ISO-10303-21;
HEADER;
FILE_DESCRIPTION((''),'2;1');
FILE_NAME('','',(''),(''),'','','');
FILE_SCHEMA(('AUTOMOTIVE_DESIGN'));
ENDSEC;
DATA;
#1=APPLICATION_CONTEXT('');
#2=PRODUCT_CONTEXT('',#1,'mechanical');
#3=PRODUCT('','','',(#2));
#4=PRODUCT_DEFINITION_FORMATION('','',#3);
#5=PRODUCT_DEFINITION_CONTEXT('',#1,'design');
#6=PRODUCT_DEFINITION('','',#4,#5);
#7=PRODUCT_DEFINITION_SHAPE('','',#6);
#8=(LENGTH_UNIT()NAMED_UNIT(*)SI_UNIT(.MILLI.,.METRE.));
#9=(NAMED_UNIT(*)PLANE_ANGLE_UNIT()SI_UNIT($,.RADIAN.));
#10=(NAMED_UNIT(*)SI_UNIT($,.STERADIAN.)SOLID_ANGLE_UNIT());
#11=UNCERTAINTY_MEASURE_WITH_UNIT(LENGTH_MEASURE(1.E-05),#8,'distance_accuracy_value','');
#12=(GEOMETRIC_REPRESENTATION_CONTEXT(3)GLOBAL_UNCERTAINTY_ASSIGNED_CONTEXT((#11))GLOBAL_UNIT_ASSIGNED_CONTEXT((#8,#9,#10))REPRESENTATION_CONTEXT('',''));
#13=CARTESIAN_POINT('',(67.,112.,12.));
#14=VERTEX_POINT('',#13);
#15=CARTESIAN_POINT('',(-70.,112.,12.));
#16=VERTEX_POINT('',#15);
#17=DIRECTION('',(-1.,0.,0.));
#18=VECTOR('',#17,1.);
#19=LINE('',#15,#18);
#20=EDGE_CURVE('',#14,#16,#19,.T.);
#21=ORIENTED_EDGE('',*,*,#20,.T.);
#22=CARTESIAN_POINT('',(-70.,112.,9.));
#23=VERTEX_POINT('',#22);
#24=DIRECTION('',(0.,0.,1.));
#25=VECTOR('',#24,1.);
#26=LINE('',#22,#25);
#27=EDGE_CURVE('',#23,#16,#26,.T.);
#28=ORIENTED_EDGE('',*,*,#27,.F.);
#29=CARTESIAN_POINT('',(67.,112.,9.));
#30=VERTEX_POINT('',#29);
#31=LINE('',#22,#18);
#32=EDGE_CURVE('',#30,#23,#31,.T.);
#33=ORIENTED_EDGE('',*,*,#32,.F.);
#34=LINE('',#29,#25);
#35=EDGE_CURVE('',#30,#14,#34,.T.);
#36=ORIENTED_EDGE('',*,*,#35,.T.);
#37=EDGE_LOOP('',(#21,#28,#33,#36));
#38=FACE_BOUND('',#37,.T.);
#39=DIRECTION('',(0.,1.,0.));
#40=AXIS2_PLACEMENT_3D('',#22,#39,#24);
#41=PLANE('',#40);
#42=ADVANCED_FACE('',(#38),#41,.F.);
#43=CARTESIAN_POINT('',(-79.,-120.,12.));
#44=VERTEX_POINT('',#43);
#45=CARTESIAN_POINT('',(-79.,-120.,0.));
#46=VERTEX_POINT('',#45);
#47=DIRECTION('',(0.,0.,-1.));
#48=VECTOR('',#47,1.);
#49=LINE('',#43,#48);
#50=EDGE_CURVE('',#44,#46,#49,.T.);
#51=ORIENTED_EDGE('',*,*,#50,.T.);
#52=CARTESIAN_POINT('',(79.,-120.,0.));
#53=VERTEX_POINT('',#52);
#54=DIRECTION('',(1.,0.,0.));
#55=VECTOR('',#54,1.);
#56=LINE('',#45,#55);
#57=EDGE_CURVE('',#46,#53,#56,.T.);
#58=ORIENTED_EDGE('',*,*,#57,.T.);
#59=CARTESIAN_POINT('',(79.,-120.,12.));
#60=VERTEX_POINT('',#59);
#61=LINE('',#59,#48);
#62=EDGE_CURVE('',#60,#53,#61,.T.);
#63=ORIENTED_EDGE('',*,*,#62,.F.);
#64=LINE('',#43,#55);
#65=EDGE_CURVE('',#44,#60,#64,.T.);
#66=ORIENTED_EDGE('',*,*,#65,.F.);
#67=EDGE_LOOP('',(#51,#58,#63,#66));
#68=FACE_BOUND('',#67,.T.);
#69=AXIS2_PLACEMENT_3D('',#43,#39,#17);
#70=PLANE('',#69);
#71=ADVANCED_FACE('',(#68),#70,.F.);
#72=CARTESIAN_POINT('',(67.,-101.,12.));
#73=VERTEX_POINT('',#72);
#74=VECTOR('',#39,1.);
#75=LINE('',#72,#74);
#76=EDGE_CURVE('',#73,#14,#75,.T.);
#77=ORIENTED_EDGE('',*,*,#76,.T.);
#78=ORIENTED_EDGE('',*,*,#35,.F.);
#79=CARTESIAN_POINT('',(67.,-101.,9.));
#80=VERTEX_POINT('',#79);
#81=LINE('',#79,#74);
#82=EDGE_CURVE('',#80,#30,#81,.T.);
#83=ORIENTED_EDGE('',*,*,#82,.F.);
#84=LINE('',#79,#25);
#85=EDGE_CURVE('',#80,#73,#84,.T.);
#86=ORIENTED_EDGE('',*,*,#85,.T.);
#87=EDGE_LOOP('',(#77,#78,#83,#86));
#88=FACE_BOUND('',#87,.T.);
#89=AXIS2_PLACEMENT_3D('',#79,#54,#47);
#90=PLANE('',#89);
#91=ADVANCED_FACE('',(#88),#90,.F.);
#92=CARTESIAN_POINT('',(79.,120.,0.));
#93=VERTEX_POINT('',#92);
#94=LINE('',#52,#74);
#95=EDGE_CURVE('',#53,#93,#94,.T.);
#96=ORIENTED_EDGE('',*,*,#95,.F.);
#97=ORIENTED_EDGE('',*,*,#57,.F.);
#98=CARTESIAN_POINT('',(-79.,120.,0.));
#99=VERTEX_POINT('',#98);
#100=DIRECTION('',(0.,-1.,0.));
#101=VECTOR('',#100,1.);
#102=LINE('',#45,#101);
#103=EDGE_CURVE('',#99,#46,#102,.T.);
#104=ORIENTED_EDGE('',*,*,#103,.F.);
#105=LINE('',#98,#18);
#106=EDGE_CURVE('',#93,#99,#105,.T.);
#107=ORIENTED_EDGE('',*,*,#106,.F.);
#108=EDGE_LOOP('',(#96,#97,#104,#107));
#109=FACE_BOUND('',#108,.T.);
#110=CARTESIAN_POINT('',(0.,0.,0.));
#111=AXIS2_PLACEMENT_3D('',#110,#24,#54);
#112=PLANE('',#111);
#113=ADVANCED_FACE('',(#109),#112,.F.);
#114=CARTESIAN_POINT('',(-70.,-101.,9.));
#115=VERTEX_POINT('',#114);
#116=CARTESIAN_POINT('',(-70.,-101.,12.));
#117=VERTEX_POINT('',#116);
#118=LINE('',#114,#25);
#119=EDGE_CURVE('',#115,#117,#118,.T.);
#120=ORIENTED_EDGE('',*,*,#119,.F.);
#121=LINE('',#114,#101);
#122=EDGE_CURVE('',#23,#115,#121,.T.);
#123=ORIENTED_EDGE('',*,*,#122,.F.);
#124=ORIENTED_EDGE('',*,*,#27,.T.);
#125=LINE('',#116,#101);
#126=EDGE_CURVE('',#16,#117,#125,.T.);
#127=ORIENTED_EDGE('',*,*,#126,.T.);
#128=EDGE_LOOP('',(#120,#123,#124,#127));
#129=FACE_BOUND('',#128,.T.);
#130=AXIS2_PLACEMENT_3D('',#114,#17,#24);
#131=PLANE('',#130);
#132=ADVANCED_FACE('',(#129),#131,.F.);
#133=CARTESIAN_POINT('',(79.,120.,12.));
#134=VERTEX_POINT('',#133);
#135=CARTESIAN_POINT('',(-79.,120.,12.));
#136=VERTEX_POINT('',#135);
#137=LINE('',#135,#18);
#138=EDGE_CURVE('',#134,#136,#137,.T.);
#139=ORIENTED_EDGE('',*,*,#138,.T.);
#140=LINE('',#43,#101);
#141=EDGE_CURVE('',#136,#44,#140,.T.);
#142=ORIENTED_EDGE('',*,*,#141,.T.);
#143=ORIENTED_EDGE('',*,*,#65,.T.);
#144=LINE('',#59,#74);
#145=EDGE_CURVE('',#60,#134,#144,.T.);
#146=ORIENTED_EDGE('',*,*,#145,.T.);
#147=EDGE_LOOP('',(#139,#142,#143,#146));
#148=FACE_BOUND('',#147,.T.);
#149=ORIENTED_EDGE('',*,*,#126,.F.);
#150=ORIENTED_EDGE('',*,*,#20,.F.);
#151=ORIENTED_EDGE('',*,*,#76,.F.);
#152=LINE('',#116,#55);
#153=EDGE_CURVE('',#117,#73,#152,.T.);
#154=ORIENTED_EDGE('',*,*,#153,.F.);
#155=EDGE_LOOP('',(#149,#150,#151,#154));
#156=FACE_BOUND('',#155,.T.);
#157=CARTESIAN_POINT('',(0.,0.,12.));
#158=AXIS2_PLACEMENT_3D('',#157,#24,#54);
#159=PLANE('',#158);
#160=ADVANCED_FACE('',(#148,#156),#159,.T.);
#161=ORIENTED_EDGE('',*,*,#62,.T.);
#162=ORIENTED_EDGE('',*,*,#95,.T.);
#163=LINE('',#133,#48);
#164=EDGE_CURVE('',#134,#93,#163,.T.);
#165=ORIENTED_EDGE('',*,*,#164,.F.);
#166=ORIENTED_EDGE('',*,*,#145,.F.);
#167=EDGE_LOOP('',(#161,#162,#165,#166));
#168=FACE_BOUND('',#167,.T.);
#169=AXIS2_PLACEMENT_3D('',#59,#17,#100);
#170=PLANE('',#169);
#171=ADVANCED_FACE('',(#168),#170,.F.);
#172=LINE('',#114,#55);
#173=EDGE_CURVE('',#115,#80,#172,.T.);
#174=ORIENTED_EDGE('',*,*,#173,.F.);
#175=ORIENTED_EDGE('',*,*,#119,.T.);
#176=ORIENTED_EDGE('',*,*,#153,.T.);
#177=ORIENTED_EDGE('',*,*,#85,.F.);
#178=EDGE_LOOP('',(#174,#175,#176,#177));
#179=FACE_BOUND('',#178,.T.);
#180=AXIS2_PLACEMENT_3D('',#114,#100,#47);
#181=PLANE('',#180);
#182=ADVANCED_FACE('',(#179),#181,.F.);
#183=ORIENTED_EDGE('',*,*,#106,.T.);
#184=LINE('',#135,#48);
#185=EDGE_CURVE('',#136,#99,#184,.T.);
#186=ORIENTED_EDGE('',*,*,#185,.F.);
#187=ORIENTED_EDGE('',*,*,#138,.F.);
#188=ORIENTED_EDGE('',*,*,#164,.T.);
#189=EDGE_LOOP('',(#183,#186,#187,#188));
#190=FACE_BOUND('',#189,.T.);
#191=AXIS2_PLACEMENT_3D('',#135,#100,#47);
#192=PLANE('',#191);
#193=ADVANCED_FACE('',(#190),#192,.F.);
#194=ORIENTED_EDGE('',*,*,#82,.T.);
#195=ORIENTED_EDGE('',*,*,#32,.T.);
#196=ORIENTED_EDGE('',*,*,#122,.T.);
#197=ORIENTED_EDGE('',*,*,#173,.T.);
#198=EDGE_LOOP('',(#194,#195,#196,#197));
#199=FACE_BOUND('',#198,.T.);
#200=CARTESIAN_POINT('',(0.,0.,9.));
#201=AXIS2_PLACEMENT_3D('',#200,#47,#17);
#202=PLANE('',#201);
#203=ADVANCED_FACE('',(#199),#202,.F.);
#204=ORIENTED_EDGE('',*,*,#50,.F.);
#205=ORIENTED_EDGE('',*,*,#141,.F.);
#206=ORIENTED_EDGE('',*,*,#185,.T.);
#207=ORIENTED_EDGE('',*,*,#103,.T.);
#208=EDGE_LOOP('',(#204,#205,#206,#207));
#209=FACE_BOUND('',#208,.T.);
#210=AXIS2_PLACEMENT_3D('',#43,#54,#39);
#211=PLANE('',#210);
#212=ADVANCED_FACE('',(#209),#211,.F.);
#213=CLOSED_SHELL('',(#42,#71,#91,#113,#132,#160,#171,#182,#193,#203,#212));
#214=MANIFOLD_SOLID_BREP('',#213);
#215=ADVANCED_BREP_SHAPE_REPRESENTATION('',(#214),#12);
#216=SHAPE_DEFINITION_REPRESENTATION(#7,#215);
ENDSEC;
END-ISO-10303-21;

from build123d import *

# Parameters (mm, degrees)
SKETCH2_W           = 240
SKETCH2_H           = 158
BOSS_EXTRUDE1_DEPTH = 12
SKETCH4_W           = 137
SKETCH4_H           = 213
CUT_EXTRUDE1_DEPTH  = 3


with BuildPart() as part:
    # Sketch2 → Boss-Extrude1 (new body)
    with BuildSketch(Plane(origin=(0, 0, 0), x_dir=(0, 1, 0), z_dir=(0, 0, 1))):
        Rectangle(SKETCH2_W, SKETCH2_H)
    extrude(amount=BOSS_EXTRUDE1_DEPTH)

    # Sketch4 → Cut-Extrude1 (cut)
    with BuildSketch(Plane.XY.offset(12)):
        with Locations((-1.5, 5.5)):
            Rectangle(SKETCH4_W, SKETCH4_H)
    extrude(amount=-CUT_EXTRUDE1_DEPTH, mode=Mode.SUBTRACT)


solid = part.part
